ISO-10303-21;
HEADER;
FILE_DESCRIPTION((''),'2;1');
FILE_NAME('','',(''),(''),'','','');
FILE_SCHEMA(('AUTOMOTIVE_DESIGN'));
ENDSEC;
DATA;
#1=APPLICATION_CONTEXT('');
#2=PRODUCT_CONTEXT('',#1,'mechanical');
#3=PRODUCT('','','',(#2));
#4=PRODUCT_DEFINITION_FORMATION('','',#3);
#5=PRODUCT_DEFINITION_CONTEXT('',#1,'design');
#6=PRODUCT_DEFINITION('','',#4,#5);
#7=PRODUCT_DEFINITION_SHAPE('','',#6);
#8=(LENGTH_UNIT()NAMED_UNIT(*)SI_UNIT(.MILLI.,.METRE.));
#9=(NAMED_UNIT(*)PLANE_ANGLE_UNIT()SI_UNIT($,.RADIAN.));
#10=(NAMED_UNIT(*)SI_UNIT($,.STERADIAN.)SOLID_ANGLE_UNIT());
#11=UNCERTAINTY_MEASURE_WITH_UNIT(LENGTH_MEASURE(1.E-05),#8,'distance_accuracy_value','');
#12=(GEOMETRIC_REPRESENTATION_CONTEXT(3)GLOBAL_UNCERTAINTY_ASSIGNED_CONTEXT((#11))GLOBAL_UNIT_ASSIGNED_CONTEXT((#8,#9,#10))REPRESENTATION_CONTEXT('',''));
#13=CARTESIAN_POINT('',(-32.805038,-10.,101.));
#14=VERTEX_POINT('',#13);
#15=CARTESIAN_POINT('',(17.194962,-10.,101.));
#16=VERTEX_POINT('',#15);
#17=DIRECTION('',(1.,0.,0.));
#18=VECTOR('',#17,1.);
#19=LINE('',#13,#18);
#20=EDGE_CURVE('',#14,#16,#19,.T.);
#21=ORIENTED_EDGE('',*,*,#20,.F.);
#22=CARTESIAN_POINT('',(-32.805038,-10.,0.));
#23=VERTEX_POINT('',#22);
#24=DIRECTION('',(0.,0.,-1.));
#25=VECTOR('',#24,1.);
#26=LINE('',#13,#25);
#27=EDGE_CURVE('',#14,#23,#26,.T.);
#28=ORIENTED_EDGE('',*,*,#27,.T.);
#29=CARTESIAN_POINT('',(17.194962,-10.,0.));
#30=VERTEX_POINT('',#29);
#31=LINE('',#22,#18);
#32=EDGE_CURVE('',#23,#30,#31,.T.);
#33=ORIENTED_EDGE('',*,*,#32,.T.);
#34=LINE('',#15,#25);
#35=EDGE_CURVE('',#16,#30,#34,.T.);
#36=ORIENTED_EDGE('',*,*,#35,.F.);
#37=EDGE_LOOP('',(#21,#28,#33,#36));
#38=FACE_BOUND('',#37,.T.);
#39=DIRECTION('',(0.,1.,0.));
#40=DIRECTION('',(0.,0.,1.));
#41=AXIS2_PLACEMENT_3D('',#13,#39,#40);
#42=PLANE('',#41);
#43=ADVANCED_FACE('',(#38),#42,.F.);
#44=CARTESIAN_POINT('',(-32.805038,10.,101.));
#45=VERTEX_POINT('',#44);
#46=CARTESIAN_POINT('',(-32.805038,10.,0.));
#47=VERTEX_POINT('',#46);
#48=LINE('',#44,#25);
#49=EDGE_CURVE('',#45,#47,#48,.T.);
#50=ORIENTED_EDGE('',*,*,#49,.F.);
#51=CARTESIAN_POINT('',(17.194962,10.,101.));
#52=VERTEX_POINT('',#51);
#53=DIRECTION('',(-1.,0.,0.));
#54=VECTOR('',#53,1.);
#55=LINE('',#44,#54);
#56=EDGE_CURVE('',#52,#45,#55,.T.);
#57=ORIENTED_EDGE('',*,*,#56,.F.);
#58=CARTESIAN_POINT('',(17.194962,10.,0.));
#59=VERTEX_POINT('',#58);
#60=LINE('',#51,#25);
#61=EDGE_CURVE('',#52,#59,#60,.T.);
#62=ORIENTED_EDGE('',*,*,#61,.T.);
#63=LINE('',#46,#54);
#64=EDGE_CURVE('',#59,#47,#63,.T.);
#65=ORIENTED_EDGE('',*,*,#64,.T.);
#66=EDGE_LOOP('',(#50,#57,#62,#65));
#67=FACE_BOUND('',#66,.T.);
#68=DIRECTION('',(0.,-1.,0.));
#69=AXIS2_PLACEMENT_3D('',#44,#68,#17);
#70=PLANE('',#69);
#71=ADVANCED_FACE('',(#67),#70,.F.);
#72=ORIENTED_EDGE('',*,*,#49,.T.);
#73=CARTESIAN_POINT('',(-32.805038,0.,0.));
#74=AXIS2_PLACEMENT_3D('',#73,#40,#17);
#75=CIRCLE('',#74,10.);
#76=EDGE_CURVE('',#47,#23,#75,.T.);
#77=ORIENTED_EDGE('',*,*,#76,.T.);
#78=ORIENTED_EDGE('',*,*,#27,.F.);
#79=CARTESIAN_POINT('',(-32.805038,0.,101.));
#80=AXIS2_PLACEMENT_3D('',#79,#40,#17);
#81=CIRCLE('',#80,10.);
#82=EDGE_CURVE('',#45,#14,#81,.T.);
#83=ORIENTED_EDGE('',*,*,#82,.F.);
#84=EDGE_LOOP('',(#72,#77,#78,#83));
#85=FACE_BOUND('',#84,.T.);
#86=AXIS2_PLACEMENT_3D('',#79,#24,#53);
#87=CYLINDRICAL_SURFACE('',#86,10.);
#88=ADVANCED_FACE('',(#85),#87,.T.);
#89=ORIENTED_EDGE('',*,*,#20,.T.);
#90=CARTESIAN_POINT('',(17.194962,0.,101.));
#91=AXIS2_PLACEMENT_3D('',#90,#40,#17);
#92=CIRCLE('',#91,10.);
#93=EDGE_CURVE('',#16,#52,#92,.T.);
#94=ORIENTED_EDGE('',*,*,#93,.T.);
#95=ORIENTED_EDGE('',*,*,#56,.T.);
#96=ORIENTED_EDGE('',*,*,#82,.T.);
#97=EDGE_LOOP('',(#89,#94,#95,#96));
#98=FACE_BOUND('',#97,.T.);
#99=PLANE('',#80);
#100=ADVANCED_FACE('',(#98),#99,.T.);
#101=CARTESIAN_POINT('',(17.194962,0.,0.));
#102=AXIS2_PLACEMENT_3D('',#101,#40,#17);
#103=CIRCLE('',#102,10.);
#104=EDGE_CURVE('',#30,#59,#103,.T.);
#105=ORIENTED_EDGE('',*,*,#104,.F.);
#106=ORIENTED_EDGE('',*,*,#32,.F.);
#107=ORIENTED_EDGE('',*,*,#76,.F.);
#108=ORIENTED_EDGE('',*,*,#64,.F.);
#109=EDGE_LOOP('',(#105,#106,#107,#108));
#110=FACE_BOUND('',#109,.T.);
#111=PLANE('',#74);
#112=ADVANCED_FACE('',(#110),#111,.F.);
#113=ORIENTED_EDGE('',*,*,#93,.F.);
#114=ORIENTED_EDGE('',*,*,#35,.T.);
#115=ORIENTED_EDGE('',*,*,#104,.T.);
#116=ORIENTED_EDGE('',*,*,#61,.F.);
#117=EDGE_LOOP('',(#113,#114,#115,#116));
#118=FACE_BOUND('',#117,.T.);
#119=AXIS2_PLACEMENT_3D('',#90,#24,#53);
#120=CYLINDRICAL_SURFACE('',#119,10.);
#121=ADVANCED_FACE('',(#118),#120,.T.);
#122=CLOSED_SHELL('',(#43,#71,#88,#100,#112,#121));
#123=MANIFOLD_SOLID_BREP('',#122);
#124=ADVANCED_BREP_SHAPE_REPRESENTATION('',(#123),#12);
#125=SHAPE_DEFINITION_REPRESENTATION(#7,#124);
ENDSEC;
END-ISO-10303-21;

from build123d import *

# Parameters (mm, degrees)
EXTRUDE_2_DEPTH = 101


with BuildPart() as part:
    # 草图2 → 凸台-拉伸2 (new body)
    with BuildSketch(Plane.XY):
        with BuildLine():
            Line((-32.805038423, 10), (17.194961577, 10))
            ThreePointArc((17.194961577, 10), (27.194961577, 0), (17.194961577, -10))
            Line((17.194961577, -10), (-32.805038423, -10))
            ThreePointArc((-32.805038423, -10), (-42.805038423, 0), (-32.805038423, 10))
        make_face()
    extrude(amount=EXTRUDE_2_DEPTH)


solid = part.part
